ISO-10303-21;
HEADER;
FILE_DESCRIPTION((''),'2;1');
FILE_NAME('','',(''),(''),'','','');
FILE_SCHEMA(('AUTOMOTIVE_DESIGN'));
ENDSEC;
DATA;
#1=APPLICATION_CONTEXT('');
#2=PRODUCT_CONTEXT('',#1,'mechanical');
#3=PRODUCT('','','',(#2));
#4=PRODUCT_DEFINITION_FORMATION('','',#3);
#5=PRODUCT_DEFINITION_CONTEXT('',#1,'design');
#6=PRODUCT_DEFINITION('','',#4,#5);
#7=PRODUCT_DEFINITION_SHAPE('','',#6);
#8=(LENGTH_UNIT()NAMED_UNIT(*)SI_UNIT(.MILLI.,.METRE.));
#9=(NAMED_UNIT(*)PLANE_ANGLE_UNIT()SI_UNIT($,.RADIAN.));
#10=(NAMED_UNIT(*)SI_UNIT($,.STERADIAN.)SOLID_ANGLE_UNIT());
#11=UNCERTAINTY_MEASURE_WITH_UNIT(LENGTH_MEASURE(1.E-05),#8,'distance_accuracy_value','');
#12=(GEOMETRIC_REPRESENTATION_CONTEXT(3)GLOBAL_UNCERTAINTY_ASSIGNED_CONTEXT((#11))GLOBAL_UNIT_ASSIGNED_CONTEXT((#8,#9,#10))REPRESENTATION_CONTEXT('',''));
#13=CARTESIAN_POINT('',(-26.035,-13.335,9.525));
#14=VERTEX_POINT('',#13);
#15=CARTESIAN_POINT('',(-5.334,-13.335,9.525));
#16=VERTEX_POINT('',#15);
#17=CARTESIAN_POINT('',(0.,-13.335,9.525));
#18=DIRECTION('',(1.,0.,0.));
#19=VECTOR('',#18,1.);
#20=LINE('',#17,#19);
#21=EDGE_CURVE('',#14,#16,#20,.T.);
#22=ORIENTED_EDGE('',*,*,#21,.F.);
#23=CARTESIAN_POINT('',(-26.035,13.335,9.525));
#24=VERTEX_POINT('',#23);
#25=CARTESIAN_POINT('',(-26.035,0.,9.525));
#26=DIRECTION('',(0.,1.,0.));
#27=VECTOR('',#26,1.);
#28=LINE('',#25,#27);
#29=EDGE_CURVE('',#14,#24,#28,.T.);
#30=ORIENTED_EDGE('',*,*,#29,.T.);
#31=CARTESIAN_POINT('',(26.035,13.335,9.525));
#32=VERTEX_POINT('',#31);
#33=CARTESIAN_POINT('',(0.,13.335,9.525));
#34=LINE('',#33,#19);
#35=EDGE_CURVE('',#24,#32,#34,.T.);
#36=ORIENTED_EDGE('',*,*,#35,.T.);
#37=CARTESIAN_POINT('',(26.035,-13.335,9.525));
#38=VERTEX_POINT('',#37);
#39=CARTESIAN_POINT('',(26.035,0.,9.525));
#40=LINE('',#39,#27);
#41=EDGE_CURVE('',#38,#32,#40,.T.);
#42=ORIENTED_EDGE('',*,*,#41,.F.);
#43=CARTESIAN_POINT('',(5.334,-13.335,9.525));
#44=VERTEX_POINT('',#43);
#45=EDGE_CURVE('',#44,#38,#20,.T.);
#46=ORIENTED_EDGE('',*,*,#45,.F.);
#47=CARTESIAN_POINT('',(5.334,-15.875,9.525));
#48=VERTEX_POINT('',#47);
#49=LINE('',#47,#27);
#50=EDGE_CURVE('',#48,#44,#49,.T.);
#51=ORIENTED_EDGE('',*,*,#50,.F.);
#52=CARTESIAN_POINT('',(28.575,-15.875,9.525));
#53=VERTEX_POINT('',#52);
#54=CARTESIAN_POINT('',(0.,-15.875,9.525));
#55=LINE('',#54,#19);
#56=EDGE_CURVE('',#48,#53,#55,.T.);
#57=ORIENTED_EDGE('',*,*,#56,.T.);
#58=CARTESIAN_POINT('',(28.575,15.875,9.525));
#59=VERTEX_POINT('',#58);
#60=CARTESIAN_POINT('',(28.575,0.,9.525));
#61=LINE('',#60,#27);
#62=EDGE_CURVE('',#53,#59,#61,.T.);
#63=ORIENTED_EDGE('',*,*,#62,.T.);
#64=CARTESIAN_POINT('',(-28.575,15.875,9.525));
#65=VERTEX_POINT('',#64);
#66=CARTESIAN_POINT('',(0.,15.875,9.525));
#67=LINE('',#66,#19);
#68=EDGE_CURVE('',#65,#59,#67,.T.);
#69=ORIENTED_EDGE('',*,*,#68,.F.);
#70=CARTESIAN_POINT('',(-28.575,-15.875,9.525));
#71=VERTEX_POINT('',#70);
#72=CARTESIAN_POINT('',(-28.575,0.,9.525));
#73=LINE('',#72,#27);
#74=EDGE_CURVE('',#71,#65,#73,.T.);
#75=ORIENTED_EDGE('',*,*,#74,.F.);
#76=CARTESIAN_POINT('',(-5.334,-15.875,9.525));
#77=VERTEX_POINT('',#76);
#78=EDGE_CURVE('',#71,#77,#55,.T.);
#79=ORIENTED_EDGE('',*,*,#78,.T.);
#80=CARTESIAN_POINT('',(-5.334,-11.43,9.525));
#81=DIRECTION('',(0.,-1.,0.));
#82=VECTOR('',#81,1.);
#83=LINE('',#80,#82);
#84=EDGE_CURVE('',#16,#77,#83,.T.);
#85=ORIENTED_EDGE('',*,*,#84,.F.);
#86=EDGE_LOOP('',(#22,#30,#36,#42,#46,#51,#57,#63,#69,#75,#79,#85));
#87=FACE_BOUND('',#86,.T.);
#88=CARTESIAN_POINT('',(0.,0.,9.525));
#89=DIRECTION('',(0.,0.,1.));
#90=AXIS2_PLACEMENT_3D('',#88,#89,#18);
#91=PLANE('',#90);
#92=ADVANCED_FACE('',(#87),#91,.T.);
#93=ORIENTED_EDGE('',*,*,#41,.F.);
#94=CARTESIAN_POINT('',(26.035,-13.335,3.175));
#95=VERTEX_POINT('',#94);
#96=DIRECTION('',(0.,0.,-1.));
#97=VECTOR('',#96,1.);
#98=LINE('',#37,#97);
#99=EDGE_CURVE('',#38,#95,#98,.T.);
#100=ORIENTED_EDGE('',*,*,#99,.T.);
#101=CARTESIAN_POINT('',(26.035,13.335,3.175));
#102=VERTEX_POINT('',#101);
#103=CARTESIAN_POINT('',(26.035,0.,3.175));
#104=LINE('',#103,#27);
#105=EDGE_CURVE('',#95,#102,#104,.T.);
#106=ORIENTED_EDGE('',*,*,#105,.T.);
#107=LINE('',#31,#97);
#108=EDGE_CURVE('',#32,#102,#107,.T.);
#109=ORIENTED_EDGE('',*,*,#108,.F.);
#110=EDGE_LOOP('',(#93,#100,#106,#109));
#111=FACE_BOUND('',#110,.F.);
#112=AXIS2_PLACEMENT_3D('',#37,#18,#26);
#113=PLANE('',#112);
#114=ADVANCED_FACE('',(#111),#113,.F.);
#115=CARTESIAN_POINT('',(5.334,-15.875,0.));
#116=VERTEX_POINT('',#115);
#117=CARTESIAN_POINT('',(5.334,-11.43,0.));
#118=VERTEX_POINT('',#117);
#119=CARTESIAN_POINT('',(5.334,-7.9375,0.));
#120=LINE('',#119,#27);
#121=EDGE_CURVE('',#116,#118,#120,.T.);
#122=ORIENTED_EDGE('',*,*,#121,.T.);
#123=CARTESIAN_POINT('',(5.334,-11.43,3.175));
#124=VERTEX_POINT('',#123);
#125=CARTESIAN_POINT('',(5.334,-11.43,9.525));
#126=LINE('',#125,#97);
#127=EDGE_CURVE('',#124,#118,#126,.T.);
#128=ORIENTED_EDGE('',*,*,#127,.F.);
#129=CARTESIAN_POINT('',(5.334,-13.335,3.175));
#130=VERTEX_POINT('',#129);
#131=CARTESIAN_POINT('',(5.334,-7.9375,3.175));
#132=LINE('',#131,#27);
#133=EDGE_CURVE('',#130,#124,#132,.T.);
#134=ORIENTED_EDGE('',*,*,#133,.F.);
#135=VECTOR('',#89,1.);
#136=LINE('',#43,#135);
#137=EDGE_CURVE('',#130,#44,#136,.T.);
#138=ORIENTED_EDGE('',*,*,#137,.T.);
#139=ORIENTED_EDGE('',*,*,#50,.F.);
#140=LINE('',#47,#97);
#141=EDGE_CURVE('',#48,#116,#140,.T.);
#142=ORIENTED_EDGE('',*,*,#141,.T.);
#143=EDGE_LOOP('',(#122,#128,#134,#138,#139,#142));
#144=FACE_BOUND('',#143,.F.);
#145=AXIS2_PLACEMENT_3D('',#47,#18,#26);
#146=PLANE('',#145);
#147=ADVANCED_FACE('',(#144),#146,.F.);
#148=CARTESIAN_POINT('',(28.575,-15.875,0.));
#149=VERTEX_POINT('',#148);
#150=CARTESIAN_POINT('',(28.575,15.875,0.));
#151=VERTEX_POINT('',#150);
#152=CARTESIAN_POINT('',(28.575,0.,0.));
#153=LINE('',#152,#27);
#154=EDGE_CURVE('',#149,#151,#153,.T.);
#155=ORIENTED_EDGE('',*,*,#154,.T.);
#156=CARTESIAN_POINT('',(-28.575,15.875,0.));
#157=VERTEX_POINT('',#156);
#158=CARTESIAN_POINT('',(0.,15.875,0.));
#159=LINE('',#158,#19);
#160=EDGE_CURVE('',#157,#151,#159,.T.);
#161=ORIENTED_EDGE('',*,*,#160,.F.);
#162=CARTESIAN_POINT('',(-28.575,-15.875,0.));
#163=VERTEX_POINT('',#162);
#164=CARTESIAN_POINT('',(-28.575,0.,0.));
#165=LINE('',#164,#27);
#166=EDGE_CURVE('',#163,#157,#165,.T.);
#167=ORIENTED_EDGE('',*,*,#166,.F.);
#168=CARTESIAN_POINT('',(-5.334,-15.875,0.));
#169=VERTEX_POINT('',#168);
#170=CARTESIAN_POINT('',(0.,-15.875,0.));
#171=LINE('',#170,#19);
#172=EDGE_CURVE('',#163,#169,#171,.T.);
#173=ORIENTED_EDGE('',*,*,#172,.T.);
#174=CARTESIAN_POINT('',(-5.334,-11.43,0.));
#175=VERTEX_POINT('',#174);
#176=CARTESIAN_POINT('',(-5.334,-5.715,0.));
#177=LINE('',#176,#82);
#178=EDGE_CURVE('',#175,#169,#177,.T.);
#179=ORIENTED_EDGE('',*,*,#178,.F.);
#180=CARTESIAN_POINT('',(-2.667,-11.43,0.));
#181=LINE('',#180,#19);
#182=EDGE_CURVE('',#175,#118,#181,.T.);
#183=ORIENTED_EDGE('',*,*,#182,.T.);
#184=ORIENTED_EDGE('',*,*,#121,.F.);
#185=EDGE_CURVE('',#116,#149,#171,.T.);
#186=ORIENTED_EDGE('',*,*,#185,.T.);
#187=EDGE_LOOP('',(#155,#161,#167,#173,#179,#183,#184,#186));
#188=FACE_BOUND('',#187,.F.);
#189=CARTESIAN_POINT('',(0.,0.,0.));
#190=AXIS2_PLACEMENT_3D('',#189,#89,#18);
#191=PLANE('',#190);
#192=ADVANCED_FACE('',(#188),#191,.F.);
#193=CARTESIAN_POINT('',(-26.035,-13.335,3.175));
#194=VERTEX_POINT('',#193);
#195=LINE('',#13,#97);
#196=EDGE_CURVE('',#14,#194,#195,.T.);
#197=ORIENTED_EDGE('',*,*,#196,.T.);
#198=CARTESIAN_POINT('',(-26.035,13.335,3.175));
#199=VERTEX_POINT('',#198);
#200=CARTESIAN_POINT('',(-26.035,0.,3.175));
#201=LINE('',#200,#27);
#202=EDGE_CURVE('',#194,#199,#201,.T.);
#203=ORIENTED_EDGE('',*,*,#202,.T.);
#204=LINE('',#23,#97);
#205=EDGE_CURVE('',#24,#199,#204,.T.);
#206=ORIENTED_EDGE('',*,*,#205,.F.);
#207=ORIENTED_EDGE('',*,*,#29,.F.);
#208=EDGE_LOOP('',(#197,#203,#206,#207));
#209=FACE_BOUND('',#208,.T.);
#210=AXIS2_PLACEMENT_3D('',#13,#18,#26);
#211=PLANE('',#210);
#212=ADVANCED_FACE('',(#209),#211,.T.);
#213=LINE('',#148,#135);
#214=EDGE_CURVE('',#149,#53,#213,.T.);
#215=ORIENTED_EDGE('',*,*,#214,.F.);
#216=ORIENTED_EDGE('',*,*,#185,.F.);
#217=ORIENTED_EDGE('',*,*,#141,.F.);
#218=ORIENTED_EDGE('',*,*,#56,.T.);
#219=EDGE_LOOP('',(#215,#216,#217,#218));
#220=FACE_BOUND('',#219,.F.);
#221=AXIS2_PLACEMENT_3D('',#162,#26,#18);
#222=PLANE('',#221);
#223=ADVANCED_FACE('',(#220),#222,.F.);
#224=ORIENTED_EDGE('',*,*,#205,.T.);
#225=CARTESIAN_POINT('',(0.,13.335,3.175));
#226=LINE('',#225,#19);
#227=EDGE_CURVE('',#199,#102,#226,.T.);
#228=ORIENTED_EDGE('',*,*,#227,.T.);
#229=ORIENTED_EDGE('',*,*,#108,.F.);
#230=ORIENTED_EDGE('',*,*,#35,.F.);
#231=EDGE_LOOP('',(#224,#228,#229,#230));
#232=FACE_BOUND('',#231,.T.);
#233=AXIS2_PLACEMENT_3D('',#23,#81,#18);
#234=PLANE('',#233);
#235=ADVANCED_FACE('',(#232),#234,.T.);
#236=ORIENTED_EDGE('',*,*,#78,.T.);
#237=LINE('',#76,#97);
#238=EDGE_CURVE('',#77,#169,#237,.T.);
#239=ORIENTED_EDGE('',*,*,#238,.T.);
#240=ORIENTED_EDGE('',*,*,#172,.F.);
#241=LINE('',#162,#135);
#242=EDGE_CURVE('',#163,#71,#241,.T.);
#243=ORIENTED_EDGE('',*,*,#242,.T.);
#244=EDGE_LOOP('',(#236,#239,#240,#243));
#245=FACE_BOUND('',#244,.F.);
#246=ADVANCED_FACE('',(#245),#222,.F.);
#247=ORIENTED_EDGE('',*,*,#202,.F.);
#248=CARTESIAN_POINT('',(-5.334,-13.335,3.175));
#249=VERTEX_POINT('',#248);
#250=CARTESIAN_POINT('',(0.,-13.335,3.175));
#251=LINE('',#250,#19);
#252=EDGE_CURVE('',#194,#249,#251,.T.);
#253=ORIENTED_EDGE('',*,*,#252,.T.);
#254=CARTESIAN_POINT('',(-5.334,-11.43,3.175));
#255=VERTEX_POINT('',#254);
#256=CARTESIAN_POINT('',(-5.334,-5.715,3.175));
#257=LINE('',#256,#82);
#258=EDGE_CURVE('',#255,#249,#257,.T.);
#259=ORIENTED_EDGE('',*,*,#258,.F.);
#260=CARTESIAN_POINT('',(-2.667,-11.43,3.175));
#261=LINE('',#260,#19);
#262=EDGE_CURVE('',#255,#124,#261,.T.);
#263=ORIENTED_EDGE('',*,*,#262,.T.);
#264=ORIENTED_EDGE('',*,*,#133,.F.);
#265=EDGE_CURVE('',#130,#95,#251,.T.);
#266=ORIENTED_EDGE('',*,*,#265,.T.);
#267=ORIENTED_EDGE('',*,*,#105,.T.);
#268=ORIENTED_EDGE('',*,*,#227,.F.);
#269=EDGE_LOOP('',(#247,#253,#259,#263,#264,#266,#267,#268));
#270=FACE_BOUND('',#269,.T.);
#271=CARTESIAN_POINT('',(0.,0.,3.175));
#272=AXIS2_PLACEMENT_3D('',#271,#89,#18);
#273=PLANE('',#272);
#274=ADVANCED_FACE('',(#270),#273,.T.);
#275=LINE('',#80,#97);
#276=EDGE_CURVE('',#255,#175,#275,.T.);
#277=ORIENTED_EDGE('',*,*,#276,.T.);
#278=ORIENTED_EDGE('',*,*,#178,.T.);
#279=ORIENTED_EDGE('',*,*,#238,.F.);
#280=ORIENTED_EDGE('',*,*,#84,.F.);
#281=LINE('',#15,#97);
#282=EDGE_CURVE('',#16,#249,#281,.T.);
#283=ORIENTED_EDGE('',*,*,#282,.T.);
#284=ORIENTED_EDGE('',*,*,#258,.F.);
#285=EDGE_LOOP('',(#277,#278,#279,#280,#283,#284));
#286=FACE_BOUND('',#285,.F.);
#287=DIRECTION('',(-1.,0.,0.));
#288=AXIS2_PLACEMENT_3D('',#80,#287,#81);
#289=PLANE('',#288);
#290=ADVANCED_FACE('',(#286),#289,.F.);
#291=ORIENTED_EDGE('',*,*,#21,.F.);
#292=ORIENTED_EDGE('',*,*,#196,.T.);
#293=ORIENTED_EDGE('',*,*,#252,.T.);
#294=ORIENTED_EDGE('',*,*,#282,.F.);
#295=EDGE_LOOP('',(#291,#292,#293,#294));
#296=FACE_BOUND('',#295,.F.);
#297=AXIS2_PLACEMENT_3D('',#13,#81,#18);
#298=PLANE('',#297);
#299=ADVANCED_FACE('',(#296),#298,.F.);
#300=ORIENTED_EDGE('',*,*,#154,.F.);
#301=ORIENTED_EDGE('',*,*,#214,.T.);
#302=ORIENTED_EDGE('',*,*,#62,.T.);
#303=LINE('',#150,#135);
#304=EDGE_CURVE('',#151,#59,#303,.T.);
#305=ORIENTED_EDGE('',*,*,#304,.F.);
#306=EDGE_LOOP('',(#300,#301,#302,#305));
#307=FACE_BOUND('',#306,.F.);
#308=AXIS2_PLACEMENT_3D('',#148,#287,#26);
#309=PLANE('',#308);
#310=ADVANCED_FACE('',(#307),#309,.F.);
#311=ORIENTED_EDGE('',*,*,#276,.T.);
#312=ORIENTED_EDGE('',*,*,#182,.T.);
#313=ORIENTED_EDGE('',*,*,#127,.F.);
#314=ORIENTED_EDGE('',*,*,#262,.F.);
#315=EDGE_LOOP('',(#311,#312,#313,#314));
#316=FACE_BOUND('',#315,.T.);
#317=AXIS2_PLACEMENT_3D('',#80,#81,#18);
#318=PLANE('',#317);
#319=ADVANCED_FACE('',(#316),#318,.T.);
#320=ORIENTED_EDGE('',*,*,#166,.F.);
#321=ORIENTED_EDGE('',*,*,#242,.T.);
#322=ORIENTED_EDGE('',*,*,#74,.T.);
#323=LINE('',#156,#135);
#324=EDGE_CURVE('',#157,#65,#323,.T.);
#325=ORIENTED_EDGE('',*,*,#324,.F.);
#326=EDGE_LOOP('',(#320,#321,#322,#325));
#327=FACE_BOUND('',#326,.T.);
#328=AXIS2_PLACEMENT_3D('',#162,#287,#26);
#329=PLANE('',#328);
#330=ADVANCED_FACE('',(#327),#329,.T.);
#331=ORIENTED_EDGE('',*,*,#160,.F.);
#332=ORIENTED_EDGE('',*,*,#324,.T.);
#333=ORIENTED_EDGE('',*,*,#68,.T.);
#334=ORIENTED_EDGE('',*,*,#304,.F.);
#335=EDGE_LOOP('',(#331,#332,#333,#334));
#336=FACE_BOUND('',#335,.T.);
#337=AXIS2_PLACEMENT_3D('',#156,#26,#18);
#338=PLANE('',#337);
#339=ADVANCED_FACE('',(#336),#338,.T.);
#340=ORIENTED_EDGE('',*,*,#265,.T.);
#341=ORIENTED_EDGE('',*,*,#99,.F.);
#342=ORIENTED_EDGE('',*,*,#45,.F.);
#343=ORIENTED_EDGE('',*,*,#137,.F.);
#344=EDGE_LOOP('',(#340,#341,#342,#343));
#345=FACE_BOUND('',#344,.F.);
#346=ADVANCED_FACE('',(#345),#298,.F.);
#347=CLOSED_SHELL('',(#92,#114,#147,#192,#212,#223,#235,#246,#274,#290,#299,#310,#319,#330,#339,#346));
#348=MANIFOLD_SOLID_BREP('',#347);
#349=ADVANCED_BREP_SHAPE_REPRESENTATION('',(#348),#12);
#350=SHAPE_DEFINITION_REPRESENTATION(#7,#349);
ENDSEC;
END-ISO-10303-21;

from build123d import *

# Parameters (mm, degrees)
F0_W     = 57.15
F0_H     = 31.75
F1_DEPTH = 9.525
F2_W     = 52.07
F2_H     = 26.67
F3_DEPTH = 6.35
F4_W     = 10.668
F4_H     = 2.54
F4_H_2   = 1.905
F5_DEPTH = 25.4


with BuildPart() as f1:
    # F0 (on Top) → F1 (new body)
    with BuildSketch(Plane.XY):
        Rectangle(F0_W, F0_H)
    extrude(amount=F1_DEPTH)

    # F2 (on face) → F3 (cut)
    with BuildSketch(Plane.XY.offset(9.525)):
        Rectangle(F2_W, F2_H)
    extrude(amount=-F3_DEPTH, mode=Mode.SUBTRACT)

    # F4 (on face) → F5 (cut)
    with BuildSketch(Plane.XY.offset(9.525)):
        with Locations((0, -14.605)):
            Rectangle(F4_W, F4_H)
        with Locations((0, -12.3825)):
            Rectangle(F4_W, F4_H_2)
    extrude(amount=-F5_DEPTH, mode=Mode.SUBTRACT)


solid = f1.part
